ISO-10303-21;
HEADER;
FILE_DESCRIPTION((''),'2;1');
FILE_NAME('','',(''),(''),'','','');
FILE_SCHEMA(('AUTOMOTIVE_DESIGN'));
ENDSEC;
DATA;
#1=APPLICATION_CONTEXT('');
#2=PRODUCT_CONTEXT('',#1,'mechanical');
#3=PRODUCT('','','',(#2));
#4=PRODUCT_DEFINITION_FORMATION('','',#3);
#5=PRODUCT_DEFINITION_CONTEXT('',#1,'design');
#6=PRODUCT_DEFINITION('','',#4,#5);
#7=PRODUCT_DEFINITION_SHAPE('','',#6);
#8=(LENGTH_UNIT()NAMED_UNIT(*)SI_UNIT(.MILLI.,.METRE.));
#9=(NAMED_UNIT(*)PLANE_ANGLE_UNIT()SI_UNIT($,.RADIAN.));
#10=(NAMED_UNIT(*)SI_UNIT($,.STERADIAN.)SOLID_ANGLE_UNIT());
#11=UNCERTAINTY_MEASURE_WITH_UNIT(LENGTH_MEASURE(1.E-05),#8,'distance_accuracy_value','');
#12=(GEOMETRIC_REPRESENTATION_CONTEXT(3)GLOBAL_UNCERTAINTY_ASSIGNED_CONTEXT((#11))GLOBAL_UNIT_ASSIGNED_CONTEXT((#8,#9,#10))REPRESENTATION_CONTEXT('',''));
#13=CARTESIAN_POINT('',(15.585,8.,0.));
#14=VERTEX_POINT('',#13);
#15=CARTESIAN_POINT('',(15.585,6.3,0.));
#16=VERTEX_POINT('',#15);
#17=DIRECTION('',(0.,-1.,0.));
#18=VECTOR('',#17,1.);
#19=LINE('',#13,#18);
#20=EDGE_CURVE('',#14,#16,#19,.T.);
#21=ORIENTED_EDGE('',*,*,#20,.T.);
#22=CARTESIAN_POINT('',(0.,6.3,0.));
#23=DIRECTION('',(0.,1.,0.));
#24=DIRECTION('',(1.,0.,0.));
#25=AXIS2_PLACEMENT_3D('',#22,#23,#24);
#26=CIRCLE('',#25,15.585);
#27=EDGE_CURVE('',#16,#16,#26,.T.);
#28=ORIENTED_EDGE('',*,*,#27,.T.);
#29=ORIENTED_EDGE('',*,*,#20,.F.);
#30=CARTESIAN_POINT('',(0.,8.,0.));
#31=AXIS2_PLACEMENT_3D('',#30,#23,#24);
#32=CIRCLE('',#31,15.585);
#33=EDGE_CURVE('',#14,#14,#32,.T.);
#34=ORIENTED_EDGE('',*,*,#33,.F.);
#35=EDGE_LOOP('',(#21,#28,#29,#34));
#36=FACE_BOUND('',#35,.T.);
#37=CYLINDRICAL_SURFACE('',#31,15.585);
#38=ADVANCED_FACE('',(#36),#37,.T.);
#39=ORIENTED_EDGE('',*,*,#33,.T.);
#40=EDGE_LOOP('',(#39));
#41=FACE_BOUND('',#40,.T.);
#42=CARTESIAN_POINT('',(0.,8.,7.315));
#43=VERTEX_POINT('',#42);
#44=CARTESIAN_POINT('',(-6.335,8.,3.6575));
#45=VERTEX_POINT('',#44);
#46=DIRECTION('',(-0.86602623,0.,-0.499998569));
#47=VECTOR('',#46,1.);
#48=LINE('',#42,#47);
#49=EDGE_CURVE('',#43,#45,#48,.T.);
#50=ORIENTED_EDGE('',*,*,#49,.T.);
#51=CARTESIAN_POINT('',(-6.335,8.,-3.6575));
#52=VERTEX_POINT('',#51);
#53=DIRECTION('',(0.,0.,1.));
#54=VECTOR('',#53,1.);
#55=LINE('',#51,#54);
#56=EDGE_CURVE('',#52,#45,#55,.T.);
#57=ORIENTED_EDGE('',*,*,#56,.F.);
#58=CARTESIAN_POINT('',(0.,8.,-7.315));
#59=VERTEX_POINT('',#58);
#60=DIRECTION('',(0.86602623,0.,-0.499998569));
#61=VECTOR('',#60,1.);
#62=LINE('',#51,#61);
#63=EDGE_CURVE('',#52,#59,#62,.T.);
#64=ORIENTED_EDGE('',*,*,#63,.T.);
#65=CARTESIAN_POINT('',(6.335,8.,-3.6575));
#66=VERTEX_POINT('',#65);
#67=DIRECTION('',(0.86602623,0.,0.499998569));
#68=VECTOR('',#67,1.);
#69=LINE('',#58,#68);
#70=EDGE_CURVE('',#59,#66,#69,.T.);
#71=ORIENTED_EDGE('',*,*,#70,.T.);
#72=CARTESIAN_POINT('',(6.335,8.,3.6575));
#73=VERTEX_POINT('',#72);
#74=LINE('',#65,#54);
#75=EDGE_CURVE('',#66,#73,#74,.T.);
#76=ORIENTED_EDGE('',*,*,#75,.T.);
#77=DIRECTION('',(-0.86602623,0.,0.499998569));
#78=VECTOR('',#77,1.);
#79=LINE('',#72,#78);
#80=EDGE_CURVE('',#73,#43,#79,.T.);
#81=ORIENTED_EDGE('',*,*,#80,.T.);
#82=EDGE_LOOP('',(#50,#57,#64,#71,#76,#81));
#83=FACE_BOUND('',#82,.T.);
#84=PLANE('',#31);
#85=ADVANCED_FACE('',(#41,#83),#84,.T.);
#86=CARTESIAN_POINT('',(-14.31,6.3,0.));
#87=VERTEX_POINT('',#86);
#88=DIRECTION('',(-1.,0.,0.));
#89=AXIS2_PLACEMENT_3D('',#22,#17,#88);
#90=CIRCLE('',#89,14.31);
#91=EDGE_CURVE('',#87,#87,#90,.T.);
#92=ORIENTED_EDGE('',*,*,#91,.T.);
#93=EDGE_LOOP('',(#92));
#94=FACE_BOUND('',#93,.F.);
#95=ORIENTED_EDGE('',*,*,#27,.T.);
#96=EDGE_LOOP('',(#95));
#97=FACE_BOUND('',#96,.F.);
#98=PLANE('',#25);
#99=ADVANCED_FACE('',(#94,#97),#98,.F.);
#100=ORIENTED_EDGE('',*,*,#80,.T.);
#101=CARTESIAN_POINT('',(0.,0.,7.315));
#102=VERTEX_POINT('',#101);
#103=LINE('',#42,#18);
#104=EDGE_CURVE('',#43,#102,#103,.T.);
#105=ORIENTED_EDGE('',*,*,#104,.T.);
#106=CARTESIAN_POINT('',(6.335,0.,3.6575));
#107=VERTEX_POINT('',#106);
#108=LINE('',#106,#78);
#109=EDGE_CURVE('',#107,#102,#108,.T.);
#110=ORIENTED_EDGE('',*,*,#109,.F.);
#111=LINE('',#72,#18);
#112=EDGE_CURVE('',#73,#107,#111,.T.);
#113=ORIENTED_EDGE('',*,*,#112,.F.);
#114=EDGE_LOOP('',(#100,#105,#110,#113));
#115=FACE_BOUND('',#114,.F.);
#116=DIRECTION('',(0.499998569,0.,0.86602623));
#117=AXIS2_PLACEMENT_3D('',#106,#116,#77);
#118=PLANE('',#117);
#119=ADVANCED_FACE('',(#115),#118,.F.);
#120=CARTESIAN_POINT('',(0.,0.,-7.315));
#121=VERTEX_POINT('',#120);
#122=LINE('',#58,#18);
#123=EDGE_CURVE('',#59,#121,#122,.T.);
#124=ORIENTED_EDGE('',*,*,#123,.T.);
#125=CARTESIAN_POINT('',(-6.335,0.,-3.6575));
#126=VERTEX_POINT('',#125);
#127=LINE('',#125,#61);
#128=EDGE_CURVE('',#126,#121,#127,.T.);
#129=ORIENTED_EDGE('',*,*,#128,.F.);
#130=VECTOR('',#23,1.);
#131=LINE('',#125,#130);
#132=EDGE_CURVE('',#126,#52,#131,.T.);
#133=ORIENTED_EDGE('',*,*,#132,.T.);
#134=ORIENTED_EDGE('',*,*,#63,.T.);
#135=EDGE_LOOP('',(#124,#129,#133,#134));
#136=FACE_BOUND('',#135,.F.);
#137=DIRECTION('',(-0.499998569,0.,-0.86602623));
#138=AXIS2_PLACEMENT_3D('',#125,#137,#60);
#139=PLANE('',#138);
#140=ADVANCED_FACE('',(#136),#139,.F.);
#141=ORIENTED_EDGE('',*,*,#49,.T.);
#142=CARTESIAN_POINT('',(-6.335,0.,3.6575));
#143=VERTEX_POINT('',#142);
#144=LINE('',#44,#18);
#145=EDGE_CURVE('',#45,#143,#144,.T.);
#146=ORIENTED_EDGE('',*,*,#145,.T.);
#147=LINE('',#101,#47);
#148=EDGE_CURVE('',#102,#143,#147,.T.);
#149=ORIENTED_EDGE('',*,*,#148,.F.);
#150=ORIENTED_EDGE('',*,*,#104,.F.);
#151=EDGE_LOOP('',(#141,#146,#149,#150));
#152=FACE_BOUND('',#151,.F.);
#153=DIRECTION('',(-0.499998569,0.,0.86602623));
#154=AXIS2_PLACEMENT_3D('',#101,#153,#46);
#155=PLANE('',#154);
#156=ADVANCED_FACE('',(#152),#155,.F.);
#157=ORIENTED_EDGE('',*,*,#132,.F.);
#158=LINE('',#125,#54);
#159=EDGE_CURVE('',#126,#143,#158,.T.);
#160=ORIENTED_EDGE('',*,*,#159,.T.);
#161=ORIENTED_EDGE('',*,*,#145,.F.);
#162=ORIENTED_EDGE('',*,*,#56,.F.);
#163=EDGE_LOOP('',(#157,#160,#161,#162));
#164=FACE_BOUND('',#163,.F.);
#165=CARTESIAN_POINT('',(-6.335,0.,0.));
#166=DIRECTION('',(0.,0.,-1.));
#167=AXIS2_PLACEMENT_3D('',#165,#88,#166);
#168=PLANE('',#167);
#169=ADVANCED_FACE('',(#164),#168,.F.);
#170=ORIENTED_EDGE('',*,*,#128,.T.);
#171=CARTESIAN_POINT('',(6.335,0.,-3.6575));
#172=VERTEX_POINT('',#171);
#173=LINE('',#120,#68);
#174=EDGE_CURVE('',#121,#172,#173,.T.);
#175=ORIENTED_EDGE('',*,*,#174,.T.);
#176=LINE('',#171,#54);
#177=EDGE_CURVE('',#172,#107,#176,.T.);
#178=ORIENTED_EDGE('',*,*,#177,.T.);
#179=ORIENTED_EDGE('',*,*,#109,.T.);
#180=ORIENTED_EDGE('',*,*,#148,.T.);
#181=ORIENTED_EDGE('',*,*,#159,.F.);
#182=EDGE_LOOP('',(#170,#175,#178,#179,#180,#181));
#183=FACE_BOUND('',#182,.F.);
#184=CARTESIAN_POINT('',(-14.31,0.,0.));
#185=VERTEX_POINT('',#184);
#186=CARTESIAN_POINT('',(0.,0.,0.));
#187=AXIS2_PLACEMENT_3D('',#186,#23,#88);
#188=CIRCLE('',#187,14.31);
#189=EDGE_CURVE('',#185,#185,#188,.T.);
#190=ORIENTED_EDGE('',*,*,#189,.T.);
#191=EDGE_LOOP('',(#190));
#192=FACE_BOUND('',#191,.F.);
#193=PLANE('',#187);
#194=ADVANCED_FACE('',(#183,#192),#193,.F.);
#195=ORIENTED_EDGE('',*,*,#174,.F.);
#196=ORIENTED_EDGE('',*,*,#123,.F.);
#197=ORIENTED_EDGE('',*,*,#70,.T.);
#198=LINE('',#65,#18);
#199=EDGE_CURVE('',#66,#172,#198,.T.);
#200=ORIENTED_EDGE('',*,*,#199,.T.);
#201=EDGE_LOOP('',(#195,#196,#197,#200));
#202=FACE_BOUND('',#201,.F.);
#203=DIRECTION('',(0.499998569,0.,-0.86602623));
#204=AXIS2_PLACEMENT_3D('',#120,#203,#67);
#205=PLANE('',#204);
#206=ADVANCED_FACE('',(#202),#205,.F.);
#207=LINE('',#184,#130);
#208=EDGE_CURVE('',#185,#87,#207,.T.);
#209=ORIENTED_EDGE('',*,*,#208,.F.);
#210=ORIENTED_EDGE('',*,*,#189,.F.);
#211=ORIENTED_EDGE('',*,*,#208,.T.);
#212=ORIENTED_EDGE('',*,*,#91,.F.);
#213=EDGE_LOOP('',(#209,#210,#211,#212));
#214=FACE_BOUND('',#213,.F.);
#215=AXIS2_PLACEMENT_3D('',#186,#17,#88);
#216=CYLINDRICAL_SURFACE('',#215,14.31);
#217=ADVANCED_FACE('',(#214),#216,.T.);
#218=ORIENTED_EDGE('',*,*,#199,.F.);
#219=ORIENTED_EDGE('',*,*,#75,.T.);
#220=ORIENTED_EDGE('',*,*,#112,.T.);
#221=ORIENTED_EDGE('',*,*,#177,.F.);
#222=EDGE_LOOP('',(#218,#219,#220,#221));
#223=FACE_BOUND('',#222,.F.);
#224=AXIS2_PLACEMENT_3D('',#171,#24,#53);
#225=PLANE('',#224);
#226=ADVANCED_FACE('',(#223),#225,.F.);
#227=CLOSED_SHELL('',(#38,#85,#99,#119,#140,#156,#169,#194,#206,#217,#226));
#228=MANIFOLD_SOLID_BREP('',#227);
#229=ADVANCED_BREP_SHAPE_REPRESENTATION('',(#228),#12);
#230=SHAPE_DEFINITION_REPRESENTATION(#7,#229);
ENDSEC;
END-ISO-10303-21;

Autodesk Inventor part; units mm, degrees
ref_plane "YZ Plane" through (0, 0, 0) normal (1, 0, 0) x (0, 1, 0)
ref_plane "XZ Plane" through (0, 0, 0) normal (0, 1, 0) x (-1, 0, 0)
ref_plane "XY Plane" through (0, 0, 0) normal (0, 0, 1) x (1, 0, 0)
sketch "Sketch1" plane through (0, 0, 0) normal (0, 1, 0) x (-1, 0, 0)
  circle A0 centre (0, 0) radius 14.31
  line L0 (0, 0) -> (6.335, 0)
  line L1 (6.335, -3.6575) -> (0, -7.315)
  line L2 (0, -7.315) -> (-6.335, -3.6575)
  line L3 (-6.335, -3.6575) -> (-6.335, 3.6575)
  line L4 (-6.335, 3.6575) -> (0, 7.315)
  line L5 (0, 7.315) -> (6.335, 3.6575)
  line L6 (6.335, 3.6575) -> (6.335, -3.6575)
  dimension "d0" = 28.62
  dimension "d1" = 6.335
extrude "Extrusion1" add sketch "Sketch1" along normal blind 8
sketch "Sketch2" plane through (0, 8, 0) normal (0, 1, 0) x (1, 0, 0)
  circle A0 centre (0, 0) radius 15.585
  line L0 (-6.335, -3.6575) -> (-6.335, 3.6575) projected
  line L1 (-6.335, 3.6575) -> (0, 7.315)
  line L2 (0, 7.315) -> (6.335, 3.6575)
  line L3 (6.335, 3.6575) -> (6.335, -3.6575)
  line L4 (6.335, -3.6575) -> (0, -7.315)
  line L5 (0, -7.315) -> (-6.335, -3.6575)
  line L6 (-6.335, -3.6575) -> (-6.335, 3.6575)
  point P0 (-6.335, 0)
  dimension "d4" = 31.17
extrude "Extrusion2" add sketch "Sketch2" against normal blind 1.7
properties part number "Bearing"
